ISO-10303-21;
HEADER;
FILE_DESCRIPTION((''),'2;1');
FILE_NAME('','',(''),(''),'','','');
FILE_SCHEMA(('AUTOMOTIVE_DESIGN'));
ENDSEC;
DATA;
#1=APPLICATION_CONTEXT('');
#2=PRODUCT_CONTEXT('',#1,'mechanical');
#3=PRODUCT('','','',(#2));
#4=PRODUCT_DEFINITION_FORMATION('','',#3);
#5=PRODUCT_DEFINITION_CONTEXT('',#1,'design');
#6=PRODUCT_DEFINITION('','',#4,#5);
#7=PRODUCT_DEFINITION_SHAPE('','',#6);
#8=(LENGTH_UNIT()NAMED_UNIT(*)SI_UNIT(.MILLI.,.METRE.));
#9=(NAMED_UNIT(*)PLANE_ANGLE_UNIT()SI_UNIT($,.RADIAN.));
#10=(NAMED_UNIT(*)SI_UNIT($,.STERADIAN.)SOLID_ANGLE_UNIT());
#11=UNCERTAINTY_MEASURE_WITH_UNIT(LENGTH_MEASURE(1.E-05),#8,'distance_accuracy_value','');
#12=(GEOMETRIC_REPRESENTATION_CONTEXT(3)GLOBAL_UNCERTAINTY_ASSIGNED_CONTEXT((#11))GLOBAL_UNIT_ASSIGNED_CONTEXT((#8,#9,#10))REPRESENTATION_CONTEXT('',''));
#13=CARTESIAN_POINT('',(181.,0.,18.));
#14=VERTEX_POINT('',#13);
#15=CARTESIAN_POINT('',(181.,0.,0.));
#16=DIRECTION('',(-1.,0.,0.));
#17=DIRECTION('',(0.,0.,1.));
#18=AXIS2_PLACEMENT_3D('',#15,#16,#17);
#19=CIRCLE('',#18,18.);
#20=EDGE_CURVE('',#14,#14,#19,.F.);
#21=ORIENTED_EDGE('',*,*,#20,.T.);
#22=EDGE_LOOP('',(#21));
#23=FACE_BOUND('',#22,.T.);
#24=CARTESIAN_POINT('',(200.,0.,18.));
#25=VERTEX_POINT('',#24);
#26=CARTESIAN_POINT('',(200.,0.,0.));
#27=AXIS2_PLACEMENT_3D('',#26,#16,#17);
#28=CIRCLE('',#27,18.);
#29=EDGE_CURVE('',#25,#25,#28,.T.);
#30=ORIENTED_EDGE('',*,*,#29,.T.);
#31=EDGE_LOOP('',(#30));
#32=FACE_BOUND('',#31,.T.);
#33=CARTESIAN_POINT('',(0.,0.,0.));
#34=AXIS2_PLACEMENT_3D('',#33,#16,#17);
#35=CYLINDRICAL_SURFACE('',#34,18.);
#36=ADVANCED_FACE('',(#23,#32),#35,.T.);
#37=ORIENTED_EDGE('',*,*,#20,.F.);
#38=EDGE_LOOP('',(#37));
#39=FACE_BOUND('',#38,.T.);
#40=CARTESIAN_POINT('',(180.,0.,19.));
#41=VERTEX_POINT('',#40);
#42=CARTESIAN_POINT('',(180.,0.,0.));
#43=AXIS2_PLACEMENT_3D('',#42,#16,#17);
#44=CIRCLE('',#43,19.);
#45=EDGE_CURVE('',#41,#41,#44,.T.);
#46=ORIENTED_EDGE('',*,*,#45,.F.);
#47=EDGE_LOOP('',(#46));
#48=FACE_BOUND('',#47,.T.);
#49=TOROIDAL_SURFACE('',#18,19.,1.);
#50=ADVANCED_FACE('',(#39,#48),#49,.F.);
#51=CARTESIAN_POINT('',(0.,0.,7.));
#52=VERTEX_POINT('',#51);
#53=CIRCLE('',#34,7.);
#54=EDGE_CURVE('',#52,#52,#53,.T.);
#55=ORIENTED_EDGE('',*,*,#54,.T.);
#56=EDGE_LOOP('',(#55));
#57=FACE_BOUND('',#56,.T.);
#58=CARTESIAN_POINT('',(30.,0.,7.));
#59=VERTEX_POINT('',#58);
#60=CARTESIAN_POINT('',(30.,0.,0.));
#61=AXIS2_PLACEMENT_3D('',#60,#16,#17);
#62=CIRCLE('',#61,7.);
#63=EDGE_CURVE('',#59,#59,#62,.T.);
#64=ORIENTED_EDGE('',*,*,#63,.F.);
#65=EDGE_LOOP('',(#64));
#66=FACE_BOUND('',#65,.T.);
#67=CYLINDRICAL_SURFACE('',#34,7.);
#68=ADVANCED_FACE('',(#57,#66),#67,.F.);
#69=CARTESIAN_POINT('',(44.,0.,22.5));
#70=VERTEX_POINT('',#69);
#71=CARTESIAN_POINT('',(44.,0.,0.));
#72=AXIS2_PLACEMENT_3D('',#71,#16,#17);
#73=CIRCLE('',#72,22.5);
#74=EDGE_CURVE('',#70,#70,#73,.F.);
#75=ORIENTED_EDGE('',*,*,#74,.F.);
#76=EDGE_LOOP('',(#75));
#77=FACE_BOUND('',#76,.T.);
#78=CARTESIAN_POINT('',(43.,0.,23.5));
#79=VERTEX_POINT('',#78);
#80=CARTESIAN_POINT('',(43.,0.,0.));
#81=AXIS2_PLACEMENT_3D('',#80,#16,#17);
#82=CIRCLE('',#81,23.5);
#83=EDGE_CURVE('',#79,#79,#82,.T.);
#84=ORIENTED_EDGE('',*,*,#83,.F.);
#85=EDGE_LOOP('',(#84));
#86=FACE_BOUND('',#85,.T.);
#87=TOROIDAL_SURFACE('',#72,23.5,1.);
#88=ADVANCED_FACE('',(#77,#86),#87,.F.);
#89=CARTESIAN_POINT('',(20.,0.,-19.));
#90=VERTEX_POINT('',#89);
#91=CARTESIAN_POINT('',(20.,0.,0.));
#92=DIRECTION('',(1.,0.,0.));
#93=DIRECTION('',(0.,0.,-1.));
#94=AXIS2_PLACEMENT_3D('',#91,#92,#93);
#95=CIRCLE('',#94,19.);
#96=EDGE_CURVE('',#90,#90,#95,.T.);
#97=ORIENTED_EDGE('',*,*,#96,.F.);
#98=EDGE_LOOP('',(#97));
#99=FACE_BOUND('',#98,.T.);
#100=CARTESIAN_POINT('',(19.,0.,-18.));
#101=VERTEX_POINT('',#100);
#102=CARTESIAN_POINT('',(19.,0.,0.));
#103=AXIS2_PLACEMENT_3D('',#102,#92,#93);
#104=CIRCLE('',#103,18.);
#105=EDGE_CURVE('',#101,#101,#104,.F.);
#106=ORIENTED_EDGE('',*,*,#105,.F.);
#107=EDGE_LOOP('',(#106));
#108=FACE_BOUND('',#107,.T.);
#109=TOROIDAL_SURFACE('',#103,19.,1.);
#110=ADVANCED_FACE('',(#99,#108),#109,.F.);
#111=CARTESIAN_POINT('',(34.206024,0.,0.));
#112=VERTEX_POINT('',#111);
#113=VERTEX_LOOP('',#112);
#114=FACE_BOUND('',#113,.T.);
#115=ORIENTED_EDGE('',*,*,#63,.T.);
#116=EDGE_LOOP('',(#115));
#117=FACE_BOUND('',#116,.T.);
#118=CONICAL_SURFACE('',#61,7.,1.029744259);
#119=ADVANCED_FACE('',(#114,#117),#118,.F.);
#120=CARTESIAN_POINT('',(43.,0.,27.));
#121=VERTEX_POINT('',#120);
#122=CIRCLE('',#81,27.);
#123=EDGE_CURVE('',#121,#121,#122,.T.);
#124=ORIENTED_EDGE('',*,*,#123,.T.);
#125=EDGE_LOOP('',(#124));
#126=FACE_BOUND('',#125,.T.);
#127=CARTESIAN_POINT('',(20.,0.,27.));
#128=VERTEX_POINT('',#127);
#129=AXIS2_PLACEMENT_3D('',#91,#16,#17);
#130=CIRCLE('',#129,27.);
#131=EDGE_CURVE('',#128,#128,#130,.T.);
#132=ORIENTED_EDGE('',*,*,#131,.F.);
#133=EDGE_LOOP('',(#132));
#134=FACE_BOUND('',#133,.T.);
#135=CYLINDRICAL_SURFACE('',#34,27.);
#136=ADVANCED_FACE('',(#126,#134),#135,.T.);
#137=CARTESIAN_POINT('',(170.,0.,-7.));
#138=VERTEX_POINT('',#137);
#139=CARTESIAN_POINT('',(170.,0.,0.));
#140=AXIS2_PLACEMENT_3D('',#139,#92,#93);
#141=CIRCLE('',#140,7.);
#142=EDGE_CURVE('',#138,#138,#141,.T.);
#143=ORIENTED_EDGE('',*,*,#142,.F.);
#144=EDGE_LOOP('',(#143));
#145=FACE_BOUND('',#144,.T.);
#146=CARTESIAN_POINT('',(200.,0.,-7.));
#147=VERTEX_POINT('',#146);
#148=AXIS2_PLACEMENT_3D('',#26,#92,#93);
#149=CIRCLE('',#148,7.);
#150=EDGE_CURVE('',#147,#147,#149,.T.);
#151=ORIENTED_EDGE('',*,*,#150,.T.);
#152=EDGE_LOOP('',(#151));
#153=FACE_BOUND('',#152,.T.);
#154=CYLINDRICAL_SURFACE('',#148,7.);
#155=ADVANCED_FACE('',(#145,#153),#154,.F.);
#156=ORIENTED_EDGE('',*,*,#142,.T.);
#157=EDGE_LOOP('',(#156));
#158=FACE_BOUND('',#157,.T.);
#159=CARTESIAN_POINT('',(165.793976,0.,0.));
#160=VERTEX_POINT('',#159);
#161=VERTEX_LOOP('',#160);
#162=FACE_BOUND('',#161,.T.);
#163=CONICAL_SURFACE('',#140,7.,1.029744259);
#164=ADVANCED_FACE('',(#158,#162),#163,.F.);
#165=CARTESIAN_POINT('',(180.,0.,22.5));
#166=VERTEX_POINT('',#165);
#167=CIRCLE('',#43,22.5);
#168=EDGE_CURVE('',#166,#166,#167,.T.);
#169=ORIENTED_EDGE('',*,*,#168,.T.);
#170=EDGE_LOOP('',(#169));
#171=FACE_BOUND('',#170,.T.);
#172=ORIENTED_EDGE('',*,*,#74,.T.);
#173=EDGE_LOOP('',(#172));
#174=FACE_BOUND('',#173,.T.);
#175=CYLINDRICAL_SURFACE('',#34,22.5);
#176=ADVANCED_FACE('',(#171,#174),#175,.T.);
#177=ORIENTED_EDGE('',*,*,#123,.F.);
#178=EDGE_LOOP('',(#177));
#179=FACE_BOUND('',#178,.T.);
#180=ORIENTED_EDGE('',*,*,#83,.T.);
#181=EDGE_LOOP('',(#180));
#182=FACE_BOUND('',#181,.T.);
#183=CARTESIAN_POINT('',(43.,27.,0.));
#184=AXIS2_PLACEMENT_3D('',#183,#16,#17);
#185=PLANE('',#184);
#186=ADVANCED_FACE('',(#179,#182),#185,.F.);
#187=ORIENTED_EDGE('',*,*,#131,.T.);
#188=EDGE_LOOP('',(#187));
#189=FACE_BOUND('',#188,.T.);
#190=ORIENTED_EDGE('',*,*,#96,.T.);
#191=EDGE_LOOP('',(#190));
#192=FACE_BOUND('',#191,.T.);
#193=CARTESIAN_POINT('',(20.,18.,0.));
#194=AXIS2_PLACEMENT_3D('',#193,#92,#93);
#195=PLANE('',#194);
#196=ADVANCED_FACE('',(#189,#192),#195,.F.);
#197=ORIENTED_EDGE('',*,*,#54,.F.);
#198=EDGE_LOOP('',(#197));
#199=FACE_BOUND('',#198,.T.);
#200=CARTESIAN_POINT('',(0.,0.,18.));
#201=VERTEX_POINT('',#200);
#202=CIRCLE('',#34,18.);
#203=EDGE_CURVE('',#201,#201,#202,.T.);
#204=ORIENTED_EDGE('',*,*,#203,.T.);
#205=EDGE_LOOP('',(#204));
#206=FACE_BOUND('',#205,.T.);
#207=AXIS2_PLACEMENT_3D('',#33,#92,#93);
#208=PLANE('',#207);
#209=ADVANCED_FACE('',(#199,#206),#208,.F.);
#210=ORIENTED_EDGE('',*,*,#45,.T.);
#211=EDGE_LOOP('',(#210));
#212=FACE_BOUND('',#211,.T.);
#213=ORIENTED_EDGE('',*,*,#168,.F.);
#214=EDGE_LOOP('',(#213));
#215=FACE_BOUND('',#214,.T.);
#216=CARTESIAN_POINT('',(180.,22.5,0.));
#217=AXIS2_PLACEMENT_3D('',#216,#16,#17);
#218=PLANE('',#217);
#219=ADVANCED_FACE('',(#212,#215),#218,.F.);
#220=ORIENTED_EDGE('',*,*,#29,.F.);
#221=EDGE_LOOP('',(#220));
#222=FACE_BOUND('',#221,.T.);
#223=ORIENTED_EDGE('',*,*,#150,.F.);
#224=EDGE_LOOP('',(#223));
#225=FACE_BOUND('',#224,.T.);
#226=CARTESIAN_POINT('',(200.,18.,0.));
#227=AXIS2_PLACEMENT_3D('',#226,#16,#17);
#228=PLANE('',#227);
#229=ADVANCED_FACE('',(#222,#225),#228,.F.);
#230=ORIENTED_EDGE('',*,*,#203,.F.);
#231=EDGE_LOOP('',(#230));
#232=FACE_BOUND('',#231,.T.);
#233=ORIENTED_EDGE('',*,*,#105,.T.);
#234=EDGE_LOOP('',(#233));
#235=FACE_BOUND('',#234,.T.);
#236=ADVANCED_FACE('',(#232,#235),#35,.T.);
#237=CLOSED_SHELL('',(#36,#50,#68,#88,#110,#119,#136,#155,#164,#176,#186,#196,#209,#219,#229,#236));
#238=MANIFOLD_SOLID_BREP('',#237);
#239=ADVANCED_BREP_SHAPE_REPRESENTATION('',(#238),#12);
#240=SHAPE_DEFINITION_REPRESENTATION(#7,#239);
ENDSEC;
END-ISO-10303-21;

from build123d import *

# Parameters (mm, degrees)
BROCA_DE_ROSQUEAR_PARA_TARRAXA_DE_M161_D       = 14
BROCA_DE_ROSQUEAR_PARA_TARRAXA_DE_M161_DEPTH   = 30
BROCA_DE_ROSQUEAR_PARA_TARRAXA_DE_M161_TIP     = 4.206024333
BROCA_DE_ROSQUEAR_PARA_TARRAXA_DE_M161_O_D     = 14
BROCA_DE_ROSQUEAR_PARA_TARRAXA_DE_M161_O_DEPTH = 30
BROCA_DE_ROSQUEAR_PARA_TARRAXA_DE_M161_O_TIP   = 4.206024333
FILETE1_R                                      = 1


with BuildPart() as part:
    # Esboço1 → Revolução1 (revolve)
    with BuildSketch(Plane.XY, mode=Mode.PRIVATE) as revolu_o1_sk:
        Polygon((0, 0), (0, 18), (20, 18), (20, 27), (43, 27), (43, 22.5), (180, 22.5), (180, 18), (200, 18), (200, 0), align=None)
    revolve(revolu_o1_sk.sketch.rotate(Axis((0, 0, 0), (1, 0, 0)), 90), axis=Axis((0, 0, 0), (1, 0, 0)))

    # Broca de rosquear para tarraxa de M161
    with Locations(Plane(origin=(200, 0, 0), x_dir=(0, 0, 1), z_dir=(1, 0, 0))):
        with Locations((0, 0)):
            Hole(BROCA_DE_ROSQUEAR_PARA_TARRAXA_DE_M161_D / 2, depth=BROCA_DE_ROSQUEAR_PARA_TARRAXA_DE_M161_DEPTH)
            with Locations((0, 0, -(BROCA_DE_ROSQUEAR_PARA_TARRAXA_DE_M161_DEPTH + BROCA_DE_ROSQUEAR_PARA_TARRAXA_DE_M161_TIP / 2))):  # 118° drill point
                Cone(0, BROCA_DE_ROSQUEAR_PARA_TARRAXA_DE_M161_D / 2, BROCA_DE_ROSQUEAR_PARA_TARRAXA_DE_M161_TIP, mode=Mode.SUBTRACT)

    # Broca de rosquear para tarraxa de M161 o
    with Locations(Plane(origin=(0, 0, 0), x_dir=(0, 0, -1), z_dir=(-1, 0, 0))):
        with Locations((0, 0)):
            Hole(BROCA_DE_ROSQUEAR_PARA_TARRAXA_DE_M161_O_D / 2, depth=BROCA_DE_ROSQUEAR_PARA_TARRAXA_DE_M161_O_DEPTH)
            with Locations((0, 0, -(BROCA_DE_ROSQUEAR_PARA_TARRAXA_DE_M161_O_DEPTH + BROCA_DE_ROSQUEAR_PARA_TARRAXA_DE_M161_O_TIP / 2))):  # 118° drill point
                Cone(0, BROCA_DE_ROSQUEAR_PARA_TARRAXA_DE_M161_O_D / 2, BROCA_DE_ROSQUEAR_PARA_TARRAXA_DE_M161_O_TIP, mode=Mode.SUBTRACT)

    # Filete1
    filete1_edges = [part.edges().sort_by_distance(p)[0] for p in [
        (20, 0, -18),
        (180, 0, -18),
        (43, 0, -22.5),
    ]]
    fillet(filete1_edges, radius=FILETE1_R)


solid = part.part
